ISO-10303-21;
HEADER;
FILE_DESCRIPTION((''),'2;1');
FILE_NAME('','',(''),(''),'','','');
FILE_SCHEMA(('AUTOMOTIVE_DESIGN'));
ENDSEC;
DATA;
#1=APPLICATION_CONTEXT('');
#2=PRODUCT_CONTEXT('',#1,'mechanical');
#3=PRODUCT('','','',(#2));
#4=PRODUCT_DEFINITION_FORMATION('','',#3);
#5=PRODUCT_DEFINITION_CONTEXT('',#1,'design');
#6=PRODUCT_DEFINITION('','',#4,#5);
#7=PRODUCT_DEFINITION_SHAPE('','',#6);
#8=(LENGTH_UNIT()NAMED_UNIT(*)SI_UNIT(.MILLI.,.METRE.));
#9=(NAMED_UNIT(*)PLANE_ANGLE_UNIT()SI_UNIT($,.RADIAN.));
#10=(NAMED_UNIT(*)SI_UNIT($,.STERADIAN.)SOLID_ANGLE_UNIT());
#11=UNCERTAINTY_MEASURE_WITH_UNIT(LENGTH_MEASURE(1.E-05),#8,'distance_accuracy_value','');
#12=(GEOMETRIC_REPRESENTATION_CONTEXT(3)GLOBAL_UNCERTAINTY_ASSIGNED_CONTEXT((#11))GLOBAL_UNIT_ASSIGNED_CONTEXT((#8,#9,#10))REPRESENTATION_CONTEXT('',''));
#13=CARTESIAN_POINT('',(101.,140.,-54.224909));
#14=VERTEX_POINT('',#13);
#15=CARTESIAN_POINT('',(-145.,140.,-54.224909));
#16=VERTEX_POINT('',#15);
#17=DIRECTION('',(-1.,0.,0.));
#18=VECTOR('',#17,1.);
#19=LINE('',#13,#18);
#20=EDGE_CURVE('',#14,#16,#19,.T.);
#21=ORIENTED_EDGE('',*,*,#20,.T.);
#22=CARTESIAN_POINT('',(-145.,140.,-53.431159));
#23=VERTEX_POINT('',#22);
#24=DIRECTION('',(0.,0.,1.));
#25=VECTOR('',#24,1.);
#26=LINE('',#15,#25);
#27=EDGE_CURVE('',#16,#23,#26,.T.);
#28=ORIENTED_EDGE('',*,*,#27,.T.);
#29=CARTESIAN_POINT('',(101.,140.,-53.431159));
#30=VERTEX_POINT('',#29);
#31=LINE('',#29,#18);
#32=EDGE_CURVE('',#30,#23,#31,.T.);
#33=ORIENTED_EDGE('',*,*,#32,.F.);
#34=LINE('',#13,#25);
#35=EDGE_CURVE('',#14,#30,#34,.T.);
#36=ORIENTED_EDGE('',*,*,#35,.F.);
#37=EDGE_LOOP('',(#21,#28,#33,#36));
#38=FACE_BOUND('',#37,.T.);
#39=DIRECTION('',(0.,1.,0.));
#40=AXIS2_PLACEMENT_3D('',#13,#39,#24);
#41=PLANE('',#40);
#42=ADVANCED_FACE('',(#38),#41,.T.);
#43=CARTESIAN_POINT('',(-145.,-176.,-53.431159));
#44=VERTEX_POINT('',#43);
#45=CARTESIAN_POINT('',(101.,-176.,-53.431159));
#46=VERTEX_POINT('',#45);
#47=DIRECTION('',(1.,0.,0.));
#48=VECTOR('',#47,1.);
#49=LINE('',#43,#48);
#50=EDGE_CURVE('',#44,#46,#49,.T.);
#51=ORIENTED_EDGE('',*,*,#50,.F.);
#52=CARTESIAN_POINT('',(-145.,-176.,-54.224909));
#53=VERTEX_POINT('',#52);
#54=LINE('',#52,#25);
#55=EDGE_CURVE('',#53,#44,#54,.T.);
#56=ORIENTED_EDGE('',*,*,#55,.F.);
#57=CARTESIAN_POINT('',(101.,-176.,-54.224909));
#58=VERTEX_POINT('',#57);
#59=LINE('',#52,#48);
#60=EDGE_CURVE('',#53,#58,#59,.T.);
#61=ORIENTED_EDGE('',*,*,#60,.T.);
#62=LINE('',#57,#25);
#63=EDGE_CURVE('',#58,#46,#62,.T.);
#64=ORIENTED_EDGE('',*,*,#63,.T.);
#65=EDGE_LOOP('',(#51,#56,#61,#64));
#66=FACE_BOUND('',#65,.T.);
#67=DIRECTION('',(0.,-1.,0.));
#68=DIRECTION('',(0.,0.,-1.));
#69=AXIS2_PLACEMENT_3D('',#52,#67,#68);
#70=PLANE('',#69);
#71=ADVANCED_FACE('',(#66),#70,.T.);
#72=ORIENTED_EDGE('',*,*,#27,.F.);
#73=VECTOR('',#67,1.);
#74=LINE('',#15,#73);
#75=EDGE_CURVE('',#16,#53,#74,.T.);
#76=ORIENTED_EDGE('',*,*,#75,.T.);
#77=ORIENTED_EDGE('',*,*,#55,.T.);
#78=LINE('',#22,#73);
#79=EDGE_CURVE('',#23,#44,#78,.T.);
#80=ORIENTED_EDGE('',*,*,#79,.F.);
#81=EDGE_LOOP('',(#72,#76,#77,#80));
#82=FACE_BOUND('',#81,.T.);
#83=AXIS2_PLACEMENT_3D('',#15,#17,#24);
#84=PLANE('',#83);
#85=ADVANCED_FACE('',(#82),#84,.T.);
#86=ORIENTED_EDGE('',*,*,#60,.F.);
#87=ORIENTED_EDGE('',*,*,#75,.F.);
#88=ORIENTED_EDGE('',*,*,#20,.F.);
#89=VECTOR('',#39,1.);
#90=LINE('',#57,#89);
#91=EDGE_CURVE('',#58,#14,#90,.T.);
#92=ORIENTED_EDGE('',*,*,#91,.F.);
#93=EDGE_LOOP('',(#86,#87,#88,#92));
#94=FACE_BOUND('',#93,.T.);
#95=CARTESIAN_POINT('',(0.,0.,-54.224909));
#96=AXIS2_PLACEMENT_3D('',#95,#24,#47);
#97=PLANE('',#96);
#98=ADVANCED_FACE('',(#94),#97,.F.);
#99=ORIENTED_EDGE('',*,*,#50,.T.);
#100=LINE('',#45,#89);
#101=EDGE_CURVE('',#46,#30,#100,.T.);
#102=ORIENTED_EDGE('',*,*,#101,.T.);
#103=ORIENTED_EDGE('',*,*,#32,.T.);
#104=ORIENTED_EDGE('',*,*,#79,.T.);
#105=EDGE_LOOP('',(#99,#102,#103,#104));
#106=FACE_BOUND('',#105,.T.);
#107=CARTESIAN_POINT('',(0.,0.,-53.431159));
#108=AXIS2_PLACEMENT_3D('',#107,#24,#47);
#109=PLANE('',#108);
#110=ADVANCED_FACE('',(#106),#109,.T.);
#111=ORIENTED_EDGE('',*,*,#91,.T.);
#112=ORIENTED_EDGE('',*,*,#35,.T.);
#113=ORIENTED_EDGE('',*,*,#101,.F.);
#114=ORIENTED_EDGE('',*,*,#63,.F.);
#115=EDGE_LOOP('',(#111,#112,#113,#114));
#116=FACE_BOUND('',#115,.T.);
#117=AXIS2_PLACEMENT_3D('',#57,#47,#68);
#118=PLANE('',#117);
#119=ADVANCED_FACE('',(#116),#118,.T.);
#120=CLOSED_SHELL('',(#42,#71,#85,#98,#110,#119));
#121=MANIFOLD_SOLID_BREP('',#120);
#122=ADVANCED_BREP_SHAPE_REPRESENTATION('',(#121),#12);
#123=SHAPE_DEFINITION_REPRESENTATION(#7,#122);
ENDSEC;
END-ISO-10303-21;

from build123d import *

# Parameters (mm, degrees)
SKETCH1_W           = 246
SKETCH1_H           = 316
BOSS_EXTRUDE1_DEPTH = 0.79375


with BuildPart() as part:
    # Sketch1 → Boss-Extrude1 (new body)
    with BuildSketch(Plane.XY.offset(-53.431159152)):
        with Locations((-22, -18)):
            Rectangle(SKETCH1_W, SKETCH1_H)
    extrude(amount=-BOSS_EXTRUDE1_DEPTH)


solid = part.part
